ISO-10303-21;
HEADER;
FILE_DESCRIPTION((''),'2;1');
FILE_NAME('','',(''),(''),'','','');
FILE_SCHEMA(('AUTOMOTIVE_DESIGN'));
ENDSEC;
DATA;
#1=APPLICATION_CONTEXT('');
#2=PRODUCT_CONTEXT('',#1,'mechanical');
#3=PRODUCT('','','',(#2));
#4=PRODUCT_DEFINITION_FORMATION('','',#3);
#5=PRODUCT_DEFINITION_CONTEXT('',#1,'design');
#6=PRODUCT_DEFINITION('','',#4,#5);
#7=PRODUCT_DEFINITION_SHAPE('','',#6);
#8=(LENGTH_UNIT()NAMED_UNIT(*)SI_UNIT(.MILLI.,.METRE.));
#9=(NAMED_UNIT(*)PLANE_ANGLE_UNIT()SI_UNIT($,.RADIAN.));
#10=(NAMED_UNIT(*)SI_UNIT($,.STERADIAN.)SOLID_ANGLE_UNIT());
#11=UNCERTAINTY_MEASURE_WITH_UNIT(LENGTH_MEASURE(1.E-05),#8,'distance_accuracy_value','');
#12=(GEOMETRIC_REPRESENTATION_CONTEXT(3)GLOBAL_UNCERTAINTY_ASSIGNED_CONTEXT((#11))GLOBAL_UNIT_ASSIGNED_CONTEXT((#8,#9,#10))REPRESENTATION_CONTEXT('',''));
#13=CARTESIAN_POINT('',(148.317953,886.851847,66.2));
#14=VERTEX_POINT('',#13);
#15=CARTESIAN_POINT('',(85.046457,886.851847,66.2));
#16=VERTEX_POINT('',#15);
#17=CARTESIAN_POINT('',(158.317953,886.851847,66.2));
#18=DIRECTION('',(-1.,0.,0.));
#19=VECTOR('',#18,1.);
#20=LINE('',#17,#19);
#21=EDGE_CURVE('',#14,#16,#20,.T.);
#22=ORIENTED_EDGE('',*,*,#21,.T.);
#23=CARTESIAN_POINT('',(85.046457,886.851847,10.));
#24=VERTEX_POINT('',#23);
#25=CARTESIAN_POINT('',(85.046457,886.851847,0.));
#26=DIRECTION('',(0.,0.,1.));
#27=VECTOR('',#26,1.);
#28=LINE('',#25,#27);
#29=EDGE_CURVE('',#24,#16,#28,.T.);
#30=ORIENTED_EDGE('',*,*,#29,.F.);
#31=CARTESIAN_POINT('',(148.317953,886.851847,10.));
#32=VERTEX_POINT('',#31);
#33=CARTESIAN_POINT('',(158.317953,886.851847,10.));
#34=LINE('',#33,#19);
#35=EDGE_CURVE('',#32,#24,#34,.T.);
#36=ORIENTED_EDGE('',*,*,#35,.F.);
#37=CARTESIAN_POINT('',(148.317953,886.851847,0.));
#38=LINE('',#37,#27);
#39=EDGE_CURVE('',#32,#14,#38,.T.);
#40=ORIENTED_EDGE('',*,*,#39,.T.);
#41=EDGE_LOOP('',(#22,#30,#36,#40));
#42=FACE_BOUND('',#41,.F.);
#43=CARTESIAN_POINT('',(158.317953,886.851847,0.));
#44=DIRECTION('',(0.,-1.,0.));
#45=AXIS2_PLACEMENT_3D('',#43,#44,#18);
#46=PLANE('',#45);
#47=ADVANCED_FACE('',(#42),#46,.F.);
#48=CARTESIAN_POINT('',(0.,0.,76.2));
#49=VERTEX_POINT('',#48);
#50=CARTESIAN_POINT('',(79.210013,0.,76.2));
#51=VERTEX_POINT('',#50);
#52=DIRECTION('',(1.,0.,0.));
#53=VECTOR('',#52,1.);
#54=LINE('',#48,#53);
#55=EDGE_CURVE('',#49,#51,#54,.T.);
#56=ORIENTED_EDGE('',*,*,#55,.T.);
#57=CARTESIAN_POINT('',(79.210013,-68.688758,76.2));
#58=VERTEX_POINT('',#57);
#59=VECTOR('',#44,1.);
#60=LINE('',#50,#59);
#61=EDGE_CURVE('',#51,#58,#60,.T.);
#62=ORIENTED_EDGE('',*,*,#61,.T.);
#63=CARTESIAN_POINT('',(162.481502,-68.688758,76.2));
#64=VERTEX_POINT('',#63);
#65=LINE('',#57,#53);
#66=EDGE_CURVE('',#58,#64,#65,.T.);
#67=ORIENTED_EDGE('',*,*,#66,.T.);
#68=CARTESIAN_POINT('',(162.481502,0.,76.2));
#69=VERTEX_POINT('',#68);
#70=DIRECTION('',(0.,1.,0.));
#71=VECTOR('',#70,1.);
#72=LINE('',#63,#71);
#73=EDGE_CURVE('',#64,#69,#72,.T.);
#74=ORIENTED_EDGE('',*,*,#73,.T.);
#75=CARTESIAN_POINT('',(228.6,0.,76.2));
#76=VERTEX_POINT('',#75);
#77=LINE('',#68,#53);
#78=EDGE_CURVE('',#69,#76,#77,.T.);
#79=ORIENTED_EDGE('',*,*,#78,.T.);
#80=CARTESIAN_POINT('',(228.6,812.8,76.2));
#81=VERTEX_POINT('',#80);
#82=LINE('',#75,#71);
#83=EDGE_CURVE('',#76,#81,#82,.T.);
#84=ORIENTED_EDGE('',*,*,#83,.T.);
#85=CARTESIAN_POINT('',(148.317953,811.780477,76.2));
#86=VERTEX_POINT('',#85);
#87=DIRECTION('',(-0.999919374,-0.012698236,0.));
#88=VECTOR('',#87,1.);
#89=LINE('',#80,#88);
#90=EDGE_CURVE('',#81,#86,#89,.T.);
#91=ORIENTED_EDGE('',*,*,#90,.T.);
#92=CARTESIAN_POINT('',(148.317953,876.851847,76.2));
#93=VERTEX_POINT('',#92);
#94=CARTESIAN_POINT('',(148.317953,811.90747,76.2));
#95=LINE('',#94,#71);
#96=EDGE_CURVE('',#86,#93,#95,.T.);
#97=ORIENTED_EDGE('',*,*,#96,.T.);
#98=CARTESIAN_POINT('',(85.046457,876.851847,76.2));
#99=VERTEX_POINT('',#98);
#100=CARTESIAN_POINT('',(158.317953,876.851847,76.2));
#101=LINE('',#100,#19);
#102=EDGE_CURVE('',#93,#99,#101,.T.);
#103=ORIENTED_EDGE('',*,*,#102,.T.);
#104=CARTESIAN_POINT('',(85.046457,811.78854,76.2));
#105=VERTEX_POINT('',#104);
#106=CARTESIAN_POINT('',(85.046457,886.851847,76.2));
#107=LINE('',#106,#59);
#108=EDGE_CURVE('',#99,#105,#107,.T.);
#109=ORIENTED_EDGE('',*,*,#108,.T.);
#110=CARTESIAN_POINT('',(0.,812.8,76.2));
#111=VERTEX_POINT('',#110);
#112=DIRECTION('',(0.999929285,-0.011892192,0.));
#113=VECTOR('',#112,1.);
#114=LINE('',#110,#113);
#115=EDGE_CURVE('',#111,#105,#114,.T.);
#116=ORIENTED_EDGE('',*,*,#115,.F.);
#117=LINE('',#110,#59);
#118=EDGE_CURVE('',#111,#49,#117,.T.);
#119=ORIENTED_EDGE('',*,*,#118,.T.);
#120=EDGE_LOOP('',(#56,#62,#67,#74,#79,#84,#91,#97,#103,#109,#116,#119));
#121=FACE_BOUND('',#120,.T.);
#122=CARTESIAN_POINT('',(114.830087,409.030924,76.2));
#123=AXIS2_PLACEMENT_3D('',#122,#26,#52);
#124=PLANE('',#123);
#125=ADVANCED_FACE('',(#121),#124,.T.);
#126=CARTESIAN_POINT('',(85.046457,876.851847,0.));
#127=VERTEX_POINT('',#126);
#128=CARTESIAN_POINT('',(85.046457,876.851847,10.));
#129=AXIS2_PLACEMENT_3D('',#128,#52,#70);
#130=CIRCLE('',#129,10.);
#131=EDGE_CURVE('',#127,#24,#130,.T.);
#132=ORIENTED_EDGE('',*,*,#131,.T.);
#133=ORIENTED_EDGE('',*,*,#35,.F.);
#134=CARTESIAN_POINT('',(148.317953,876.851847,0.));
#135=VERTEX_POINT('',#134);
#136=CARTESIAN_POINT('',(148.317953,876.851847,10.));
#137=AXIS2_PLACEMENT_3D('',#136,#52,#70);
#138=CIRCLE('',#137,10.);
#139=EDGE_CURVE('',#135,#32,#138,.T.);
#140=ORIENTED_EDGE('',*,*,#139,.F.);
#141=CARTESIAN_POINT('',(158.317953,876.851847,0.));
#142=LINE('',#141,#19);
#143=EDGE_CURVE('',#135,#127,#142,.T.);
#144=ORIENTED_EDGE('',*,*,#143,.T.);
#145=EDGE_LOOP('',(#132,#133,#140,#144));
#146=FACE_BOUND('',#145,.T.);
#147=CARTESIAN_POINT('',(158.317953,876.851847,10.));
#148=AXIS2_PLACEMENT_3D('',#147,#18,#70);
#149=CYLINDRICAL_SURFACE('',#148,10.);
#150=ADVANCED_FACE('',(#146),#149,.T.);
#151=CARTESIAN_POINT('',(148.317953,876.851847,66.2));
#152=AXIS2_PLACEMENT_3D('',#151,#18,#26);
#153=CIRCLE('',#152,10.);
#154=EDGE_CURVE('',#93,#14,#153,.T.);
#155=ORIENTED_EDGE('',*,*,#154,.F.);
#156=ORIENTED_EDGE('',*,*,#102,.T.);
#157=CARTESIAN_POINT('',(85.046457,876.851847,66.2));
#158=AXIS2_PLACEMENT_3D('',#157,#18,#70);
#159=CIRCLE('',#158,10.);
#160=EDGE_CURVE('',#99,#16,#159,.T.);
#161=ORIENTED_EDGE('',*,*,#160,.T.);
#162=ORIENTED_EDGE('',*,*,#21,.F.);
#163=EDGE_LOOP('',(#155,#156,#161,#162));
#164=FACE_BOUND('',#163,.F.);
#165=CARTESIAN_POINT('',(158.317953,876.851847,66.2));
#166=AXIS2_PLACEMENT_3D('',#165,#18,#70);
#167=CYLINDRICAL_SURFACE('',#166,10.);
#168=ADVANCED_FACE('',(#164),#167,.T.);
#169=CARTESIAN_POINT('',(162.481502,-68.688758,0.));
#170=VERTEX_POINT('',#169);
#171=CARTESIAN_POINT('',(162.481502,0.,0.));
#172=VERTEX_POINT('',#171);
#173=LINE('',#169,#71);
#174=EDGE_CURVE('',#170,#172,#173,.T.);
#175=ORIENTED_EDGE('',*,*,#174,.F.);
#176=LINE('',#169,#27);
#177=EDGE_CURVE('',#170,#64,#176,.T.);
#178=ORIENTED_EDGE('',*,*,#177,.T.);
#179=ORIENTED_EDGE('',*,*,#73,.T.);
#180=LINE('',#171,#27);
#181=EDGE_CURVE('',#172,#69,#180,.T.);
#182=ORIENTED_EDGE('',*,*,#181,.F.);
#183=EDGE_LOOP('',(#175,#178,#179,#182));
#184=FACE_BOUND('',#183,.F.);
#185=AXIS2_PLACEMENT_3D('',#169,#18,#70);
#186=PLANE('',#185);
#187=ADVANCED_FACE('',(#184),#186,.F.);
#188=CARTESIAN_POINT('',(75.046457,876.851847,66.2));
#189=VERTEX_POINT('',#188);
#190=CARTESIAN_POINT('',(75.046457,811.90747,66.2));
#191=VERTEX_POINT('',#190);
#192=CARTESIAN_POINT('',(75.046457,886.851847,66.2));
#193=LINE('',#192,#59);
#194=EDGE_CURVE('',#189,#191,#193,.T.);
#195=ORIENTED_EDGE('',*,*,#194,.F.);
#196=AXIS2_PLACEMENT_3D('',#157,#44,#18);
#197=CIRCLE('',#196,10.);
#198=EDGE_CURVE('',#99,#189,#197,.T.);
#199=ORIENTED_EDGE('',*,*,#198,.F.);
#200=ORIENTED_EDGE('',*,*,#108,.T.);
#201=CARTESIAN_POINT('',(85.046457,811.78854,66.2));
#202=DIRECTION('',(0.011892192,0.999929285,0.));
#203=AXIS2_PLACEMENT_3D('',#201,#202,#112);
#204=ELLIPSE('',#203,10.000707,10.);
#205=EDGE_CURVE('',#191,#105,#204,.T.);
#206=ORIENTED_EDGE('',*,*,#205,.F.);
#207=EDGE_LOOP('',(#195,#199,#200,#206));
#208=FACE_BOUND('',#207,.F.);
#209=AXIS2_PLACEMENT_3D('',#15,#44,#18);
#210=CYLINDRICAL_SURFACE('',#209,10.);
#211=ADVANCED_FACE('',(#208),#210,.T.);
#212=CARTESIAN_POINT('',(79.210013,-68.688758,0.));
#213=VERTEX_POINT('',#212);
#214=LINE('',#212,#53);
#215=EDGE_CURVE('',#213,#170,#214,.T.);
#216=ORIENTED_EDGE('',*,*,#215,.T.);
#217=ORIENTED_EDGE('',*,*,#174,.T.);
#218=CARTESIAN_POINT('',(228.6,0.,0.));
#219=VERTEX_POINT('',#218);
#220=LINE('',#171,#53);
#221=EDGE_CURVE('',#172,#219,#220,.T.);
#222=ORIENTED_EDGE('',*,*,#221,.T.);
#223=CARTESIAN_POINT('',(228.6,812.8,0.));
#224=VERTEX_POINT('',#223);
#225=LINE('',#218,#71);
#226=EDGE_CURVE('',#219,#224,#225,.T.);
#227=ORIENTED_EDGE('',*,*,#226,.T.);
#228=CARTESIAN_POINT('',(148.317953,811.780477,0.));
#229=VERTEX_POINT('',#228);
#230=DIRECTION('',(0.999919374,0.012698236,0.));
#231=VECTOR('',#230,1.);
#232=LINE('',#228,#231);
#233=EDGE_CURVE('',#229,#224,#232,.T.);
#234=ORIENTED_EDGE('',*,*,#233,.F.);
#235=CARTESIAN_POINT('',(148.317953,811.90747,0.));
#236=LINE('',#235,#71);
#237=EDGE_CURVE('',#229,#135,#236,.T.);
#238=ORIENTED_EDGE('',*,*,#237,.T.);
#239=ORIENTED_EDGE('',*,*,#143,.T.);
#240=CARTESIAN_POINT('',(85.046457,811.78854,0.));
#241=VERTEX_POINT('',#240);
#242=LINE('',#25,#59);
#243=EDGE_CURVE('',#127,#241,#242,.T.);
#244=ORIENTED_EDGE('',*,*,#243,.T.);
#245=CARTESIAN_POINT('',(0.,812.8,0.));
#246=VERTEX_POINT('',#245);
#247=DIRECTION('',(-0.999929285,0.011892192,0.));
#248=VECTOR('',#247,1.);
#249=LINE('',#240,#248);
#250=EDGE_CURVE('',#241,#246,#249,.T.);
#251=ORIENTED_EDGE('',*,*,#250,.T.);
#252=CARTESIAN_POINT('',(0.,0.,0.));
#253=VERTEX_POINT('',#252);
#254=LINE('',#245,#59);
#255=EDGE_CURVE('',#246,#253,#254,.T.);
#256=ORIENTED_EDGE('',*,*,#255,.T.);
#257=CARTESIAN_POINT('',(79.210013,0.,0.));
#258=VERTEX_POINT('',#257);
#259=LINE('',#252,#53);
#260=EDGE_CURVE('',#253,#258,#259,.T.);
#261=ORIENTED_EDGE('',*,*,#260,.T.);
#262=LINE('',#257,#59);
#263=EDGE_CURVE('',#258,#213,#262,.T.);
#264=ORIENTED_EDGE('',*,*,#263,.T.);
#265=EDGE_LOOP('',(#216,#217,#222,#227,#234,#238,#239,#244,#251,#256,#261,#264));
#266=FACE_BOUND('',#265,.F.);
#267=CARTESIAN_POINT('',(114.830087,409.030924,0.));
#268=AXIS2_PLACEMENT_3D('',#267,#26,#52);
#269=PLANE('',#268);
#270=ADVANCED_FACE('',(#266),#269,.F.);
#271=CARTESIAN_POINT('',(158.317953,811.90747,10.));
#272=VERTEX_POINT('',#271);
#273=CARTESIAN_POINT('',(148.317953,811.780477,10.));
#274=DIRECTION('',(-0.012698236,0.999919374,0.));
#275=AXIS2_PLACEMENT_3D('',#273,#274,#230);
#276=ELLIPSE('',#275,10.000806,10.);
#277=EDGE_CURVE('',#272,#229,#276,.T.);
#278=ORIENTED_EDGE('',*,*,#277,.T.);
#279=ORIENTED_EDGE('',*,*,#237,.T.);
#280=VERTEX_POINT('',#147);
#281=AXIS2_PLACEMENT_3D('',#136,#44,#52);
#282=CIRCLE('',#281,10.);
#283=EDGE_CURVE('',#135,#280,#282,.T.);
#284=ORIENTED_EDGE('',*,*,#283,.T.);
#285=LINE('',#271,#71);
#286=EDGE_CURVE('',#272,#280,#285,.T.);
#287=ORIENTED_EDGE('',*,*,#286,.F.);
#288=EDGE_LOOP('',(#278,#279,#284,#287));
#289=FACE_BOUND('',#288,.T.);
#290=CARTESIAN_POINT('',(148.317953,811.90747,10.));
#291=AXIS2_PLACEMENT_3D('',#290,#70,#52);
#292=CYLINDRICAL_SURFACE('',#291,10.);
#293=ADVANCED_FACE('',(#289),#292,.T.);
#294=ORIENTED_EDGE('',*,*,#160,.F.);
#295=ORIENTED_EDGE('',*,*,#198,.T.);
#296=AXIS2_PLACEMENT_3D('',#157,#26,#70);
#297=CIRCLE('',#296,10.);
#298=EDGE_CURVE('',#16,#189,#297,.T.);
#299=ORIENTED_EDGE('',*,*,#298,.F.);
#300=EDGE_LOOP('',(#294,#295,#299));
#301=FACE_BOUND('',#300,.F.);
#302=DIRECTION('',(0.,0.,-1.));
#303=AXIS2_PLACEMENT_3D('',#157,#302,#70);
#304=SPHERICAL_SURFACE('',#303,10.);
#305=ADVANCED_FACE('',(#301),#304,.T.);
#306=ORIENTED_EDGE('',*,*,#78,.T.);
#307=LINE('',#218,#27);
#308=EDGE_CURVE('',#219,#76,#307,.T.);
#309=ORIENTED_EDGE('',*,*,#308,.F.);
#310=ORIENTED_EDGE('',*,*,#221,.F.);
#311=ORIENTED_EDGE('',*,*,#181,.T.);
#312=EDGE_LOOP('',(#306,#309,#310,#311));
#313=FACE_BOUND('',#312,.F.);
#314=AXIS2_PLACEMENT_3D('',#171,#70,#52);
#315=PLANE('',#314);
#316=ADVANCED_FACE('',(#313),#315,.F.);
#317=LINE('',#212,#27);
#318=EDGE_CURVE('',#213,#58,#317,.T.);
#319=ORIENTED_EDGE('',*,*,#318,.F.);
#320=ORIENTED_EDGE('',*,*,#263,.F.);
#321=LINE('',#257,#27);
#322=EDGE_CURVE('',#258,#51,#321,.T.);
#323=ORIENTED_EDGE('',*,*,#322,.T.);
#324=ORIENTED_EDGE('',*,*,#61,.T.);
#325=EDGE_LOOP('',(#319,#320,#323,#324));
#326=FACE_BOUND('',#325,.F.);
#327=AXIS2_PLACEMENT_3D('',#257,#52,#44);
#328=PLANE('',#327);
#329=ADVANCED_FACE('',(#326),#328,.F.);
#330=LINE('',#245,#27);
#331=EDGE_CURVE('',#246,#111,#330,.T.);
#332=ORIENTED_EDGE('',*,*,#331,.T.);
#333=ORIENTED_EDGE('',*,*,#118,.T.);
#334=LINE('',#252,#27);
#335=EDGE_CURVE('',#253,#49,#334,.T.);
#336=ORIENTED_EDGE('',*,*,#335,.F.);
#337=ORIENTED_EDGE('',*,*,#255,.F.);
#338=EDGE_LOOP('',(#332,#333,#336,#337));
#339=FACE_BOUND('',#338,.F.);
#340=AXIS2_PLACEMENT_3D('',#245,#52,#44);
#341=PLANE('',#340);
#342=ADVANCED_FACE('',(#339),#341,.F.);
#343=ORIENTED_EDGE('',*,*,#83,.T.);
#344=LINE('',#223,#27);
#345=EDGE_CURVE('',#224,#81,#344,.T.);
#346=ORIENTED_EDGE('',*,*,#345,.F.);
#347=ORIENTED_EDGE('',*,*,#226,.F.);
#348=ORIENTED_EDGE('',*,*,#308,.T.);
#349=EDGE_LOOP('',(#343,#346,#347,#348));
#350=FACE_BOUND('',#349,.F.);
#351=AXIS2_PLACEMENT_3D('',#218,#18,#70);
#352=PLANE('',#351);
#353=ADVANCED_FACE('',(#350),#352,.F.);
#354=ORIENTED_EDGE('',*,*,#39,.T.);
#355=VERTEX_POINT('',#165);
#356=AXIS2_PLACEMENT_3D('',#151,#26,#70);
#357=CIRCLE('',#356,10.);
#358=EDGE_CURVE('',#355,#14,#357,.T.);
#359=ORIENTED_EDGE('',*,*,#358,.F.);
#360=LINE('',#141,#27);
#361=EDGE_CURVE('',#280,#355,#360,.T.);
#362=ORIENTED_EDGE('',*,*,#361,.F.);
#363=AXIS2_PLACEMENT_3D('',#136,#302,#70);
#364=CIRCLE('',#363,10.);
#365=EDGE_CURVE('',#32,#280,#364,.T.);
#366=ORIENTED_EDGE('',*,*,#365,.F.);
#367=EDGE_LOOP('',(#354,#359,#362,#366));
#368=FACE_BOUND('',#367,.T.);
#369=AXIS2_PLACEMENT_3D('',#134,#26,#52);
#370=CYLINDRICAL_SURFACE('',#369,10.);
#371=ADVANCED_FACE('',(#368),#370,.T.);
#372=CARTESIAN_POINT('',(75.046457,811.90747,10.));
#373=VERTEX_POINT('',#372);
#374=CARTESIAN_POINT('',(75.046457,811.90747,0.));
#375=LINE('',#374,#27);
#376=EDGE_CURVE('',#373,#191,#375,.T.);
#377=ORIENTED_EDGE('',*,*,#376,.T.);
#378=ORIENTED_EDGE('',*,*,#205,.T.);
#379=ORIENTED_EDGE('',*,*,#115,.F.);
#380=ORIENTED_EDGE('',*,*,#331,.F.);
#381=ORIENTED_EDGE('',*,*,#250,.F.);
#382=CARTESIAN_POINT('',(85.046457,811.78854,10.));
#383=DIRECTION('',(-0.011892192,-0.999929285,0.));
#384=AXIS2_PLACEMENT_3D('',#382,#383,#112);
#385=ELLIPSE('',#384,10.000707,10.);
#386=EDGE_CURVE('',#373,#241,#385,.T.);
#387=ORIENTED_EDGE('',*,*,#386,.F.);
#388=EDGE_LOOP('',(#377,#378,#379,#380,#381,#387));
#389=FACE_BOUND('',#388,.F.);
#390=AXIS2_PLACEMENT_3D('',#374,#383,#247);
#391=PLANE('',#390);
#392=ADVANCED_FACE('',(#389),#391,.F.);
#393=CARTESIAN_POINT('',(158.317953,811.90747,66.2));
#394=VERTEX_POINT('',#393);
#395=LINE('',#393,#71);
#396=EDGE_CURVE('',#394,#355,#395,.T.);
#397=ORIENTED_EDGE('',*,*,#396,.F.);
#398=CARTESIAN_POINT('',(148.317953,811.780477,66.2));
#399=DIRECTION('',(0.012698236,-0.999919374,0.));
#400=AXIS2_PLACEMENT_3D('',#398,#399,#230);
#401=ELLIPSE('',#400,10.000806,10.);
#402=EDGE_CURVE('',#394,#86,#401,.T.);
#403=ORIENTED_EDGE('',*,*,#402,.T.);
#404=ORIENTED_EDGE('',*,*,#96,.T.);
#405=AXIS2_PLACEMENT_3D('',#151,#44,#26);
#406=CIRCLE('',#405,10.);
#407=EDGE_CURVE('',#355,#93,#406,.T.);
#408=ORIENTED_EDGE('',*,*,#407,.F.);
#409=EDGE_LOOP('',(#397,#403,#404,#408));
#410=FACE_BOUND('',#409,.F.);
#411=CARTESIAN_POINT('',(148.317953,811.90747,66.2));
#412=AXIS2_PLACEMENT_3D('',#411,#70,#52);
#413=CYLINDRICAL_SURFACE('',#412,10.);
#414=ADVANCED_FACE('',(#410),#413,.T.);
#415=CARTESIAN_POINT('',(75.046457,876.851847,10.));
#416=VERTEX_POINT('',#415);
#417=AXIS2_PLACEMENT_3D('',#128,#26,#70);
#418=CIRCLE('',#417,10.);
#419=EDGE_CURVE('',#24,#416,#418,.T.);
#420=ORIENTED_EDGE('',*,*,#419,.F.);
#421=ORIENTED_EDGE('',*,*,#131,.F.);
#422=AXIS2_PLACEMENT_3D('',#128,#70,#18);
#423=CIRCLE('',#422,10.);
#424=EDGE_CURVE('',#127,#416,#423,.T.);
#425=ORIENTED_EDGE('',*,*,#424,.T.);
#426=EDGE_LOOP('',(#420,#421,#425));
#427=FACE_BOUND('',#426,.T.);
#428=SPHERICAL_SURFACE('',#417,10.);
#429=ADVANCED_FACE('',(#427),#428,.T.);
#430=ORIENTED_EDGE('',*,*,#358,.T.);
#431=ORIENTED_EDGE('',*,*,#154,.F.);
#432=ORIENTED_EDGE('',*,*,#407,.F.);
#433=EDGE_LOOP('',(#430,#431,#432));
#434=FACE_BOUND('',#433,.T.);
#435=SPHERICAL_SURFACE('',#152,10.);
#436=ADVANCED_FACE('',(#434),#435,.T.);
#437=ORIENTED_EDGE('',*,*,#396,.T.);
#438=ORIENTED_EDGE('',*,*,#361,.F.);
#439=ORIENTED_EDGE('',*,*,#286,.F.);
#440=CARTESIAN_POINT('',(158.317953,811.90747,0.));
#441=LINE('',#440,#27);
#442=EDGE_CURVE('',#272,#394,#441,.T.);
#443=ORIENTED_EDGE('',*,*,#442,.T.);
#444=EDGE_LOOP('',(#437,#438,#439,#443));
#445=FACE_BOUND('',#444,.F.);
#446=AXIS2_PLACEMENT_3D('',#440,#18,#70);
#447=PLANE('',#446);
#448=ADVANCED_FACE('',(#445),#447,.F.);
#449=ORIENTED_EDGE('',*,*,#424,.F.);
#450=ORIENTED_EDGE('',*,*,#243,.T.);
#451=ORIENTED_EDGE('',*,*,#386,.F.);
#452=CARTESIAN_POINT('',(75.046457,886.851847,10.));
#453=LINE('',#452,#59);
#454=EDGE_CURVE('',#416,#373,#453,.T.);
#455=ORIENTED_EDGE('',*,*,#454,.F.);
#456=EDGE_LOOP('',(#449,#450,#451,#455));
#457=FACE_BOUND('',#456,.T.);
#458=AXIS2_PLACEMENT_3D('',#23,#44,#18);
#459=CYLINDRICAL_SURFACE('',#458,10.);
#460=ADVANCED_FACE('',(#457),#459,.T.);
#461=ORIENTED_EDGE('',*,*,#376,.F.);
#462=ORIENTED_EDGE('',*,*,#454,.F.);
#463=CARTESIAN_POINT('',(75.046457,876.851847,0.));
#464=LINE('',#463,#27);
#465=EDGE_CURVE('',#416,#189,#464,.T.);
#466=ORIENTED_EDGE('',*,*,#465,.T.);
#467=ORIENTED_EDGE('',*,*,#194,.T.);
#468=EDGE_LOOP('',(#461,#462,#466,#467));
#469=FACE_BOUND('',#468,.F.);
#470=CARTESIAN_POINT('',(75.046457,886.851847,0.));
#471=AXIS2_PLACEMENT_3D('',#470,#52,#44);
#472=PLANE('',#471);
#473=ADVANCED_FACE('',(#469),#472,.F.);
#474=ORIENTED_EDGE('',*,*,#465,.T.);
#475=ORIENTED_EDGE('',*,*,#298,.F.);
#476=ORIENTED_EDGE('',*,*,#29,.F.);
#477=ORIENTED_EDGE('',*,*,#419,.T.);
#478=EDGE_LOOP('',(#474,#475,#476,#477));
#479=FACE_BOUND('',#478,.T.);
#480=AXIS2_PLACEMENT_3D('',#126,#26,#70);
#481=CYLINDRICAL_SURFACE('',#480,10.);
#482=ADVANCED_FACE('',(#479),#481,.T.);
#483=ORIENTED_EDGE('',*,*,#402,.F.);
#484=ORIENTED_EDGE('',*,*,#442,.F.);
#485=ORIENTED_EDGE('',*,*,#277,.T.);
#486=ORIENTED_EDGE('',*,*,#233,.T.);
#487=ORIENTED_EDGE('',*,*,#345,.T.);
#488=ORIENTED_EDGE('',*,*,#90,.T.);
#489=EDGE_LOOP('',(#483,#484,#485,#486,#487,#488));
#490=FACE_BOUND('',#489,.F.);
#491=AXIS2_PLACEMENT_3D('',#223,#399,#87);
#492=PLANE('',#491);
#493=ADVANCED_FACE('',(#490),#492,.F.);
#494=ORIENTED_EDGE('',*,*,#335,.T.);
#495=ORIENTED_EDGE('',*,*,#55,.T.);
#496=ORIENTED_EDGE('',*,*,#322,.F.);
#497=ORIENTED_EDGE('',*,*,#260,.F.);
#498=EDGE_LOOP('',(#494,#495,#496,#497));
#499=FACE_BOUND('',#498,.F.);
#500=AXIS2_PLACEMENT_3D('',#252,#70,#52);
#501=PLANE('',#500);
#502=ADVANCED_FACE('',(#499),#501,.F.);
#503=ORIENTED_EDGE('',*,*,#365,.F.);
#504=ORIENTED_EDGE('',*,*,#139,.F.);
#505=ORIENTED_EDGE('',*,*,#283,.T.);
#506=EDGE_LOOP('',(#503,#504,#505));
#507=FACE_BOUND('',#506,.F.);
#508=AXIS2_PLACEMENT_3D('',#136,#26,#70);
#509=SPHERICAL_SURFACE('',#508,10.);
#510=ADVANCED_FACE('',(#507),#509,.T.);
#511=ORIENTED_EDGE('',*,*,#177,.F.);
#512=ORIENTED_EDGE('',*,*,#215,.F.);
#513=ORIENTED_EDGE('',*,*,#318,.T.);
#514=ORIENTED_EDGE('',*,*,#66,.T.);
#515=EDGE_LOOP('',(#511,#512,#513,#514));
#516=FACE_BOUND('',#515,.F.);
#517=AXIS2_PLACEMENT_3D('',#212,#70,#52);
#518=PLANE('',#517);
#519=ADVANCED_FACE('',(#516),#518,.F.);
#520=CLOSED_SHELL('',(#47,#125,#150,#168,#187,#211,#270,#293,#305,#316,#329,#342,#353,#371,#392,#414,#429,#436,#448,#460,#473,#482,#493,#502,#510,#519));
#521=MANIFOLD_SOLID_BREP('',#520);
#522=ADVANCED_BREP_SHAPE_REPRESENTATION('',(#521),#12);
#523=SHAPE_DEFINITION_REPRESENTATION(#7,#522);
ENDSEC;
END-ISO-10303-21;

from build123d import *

# Parameters (mm, degrees)
F1_DEPTH = 76.2
F2_R     = 10


with BuildPart() as f1:
    # F0 (on Top) → F1 (new body)
    with BuildSketch(Plane.XY):
        Polygon((75.046457, 811.90747), (0, 812.8), (0, 0), (79.210013, 0), (79.210013, -68.688758), (162.481502, -68.688758), (162.481502, 0), (228.6, 0), (228.6, 812.8), (158.317953, 811.90747), (158.317953, 886.851847), (75.046457, 886.851847), align=None)
    extrude(amount=F1_DEPTH)

    # F2
    f2_edges = [f1.edges().sort_by_distance(p)[0] for p in [
        (75.046457, 886.851847, 38.1),
        (116.682205, 886.851847, 76.2),
        (75.046457, 849.379659, 76.2),
        (158.317953, 849.379659, 76.2),
        (158.317953, 886.851847, 38.1),
        (116.682205, 886.851847, 0),
        (75.046457, 849.379659, 0),
        (158.317953, 849.379659, 0),
    ]]
    fillet(f2_edges, radius=F2_R)


solid = f1.part
